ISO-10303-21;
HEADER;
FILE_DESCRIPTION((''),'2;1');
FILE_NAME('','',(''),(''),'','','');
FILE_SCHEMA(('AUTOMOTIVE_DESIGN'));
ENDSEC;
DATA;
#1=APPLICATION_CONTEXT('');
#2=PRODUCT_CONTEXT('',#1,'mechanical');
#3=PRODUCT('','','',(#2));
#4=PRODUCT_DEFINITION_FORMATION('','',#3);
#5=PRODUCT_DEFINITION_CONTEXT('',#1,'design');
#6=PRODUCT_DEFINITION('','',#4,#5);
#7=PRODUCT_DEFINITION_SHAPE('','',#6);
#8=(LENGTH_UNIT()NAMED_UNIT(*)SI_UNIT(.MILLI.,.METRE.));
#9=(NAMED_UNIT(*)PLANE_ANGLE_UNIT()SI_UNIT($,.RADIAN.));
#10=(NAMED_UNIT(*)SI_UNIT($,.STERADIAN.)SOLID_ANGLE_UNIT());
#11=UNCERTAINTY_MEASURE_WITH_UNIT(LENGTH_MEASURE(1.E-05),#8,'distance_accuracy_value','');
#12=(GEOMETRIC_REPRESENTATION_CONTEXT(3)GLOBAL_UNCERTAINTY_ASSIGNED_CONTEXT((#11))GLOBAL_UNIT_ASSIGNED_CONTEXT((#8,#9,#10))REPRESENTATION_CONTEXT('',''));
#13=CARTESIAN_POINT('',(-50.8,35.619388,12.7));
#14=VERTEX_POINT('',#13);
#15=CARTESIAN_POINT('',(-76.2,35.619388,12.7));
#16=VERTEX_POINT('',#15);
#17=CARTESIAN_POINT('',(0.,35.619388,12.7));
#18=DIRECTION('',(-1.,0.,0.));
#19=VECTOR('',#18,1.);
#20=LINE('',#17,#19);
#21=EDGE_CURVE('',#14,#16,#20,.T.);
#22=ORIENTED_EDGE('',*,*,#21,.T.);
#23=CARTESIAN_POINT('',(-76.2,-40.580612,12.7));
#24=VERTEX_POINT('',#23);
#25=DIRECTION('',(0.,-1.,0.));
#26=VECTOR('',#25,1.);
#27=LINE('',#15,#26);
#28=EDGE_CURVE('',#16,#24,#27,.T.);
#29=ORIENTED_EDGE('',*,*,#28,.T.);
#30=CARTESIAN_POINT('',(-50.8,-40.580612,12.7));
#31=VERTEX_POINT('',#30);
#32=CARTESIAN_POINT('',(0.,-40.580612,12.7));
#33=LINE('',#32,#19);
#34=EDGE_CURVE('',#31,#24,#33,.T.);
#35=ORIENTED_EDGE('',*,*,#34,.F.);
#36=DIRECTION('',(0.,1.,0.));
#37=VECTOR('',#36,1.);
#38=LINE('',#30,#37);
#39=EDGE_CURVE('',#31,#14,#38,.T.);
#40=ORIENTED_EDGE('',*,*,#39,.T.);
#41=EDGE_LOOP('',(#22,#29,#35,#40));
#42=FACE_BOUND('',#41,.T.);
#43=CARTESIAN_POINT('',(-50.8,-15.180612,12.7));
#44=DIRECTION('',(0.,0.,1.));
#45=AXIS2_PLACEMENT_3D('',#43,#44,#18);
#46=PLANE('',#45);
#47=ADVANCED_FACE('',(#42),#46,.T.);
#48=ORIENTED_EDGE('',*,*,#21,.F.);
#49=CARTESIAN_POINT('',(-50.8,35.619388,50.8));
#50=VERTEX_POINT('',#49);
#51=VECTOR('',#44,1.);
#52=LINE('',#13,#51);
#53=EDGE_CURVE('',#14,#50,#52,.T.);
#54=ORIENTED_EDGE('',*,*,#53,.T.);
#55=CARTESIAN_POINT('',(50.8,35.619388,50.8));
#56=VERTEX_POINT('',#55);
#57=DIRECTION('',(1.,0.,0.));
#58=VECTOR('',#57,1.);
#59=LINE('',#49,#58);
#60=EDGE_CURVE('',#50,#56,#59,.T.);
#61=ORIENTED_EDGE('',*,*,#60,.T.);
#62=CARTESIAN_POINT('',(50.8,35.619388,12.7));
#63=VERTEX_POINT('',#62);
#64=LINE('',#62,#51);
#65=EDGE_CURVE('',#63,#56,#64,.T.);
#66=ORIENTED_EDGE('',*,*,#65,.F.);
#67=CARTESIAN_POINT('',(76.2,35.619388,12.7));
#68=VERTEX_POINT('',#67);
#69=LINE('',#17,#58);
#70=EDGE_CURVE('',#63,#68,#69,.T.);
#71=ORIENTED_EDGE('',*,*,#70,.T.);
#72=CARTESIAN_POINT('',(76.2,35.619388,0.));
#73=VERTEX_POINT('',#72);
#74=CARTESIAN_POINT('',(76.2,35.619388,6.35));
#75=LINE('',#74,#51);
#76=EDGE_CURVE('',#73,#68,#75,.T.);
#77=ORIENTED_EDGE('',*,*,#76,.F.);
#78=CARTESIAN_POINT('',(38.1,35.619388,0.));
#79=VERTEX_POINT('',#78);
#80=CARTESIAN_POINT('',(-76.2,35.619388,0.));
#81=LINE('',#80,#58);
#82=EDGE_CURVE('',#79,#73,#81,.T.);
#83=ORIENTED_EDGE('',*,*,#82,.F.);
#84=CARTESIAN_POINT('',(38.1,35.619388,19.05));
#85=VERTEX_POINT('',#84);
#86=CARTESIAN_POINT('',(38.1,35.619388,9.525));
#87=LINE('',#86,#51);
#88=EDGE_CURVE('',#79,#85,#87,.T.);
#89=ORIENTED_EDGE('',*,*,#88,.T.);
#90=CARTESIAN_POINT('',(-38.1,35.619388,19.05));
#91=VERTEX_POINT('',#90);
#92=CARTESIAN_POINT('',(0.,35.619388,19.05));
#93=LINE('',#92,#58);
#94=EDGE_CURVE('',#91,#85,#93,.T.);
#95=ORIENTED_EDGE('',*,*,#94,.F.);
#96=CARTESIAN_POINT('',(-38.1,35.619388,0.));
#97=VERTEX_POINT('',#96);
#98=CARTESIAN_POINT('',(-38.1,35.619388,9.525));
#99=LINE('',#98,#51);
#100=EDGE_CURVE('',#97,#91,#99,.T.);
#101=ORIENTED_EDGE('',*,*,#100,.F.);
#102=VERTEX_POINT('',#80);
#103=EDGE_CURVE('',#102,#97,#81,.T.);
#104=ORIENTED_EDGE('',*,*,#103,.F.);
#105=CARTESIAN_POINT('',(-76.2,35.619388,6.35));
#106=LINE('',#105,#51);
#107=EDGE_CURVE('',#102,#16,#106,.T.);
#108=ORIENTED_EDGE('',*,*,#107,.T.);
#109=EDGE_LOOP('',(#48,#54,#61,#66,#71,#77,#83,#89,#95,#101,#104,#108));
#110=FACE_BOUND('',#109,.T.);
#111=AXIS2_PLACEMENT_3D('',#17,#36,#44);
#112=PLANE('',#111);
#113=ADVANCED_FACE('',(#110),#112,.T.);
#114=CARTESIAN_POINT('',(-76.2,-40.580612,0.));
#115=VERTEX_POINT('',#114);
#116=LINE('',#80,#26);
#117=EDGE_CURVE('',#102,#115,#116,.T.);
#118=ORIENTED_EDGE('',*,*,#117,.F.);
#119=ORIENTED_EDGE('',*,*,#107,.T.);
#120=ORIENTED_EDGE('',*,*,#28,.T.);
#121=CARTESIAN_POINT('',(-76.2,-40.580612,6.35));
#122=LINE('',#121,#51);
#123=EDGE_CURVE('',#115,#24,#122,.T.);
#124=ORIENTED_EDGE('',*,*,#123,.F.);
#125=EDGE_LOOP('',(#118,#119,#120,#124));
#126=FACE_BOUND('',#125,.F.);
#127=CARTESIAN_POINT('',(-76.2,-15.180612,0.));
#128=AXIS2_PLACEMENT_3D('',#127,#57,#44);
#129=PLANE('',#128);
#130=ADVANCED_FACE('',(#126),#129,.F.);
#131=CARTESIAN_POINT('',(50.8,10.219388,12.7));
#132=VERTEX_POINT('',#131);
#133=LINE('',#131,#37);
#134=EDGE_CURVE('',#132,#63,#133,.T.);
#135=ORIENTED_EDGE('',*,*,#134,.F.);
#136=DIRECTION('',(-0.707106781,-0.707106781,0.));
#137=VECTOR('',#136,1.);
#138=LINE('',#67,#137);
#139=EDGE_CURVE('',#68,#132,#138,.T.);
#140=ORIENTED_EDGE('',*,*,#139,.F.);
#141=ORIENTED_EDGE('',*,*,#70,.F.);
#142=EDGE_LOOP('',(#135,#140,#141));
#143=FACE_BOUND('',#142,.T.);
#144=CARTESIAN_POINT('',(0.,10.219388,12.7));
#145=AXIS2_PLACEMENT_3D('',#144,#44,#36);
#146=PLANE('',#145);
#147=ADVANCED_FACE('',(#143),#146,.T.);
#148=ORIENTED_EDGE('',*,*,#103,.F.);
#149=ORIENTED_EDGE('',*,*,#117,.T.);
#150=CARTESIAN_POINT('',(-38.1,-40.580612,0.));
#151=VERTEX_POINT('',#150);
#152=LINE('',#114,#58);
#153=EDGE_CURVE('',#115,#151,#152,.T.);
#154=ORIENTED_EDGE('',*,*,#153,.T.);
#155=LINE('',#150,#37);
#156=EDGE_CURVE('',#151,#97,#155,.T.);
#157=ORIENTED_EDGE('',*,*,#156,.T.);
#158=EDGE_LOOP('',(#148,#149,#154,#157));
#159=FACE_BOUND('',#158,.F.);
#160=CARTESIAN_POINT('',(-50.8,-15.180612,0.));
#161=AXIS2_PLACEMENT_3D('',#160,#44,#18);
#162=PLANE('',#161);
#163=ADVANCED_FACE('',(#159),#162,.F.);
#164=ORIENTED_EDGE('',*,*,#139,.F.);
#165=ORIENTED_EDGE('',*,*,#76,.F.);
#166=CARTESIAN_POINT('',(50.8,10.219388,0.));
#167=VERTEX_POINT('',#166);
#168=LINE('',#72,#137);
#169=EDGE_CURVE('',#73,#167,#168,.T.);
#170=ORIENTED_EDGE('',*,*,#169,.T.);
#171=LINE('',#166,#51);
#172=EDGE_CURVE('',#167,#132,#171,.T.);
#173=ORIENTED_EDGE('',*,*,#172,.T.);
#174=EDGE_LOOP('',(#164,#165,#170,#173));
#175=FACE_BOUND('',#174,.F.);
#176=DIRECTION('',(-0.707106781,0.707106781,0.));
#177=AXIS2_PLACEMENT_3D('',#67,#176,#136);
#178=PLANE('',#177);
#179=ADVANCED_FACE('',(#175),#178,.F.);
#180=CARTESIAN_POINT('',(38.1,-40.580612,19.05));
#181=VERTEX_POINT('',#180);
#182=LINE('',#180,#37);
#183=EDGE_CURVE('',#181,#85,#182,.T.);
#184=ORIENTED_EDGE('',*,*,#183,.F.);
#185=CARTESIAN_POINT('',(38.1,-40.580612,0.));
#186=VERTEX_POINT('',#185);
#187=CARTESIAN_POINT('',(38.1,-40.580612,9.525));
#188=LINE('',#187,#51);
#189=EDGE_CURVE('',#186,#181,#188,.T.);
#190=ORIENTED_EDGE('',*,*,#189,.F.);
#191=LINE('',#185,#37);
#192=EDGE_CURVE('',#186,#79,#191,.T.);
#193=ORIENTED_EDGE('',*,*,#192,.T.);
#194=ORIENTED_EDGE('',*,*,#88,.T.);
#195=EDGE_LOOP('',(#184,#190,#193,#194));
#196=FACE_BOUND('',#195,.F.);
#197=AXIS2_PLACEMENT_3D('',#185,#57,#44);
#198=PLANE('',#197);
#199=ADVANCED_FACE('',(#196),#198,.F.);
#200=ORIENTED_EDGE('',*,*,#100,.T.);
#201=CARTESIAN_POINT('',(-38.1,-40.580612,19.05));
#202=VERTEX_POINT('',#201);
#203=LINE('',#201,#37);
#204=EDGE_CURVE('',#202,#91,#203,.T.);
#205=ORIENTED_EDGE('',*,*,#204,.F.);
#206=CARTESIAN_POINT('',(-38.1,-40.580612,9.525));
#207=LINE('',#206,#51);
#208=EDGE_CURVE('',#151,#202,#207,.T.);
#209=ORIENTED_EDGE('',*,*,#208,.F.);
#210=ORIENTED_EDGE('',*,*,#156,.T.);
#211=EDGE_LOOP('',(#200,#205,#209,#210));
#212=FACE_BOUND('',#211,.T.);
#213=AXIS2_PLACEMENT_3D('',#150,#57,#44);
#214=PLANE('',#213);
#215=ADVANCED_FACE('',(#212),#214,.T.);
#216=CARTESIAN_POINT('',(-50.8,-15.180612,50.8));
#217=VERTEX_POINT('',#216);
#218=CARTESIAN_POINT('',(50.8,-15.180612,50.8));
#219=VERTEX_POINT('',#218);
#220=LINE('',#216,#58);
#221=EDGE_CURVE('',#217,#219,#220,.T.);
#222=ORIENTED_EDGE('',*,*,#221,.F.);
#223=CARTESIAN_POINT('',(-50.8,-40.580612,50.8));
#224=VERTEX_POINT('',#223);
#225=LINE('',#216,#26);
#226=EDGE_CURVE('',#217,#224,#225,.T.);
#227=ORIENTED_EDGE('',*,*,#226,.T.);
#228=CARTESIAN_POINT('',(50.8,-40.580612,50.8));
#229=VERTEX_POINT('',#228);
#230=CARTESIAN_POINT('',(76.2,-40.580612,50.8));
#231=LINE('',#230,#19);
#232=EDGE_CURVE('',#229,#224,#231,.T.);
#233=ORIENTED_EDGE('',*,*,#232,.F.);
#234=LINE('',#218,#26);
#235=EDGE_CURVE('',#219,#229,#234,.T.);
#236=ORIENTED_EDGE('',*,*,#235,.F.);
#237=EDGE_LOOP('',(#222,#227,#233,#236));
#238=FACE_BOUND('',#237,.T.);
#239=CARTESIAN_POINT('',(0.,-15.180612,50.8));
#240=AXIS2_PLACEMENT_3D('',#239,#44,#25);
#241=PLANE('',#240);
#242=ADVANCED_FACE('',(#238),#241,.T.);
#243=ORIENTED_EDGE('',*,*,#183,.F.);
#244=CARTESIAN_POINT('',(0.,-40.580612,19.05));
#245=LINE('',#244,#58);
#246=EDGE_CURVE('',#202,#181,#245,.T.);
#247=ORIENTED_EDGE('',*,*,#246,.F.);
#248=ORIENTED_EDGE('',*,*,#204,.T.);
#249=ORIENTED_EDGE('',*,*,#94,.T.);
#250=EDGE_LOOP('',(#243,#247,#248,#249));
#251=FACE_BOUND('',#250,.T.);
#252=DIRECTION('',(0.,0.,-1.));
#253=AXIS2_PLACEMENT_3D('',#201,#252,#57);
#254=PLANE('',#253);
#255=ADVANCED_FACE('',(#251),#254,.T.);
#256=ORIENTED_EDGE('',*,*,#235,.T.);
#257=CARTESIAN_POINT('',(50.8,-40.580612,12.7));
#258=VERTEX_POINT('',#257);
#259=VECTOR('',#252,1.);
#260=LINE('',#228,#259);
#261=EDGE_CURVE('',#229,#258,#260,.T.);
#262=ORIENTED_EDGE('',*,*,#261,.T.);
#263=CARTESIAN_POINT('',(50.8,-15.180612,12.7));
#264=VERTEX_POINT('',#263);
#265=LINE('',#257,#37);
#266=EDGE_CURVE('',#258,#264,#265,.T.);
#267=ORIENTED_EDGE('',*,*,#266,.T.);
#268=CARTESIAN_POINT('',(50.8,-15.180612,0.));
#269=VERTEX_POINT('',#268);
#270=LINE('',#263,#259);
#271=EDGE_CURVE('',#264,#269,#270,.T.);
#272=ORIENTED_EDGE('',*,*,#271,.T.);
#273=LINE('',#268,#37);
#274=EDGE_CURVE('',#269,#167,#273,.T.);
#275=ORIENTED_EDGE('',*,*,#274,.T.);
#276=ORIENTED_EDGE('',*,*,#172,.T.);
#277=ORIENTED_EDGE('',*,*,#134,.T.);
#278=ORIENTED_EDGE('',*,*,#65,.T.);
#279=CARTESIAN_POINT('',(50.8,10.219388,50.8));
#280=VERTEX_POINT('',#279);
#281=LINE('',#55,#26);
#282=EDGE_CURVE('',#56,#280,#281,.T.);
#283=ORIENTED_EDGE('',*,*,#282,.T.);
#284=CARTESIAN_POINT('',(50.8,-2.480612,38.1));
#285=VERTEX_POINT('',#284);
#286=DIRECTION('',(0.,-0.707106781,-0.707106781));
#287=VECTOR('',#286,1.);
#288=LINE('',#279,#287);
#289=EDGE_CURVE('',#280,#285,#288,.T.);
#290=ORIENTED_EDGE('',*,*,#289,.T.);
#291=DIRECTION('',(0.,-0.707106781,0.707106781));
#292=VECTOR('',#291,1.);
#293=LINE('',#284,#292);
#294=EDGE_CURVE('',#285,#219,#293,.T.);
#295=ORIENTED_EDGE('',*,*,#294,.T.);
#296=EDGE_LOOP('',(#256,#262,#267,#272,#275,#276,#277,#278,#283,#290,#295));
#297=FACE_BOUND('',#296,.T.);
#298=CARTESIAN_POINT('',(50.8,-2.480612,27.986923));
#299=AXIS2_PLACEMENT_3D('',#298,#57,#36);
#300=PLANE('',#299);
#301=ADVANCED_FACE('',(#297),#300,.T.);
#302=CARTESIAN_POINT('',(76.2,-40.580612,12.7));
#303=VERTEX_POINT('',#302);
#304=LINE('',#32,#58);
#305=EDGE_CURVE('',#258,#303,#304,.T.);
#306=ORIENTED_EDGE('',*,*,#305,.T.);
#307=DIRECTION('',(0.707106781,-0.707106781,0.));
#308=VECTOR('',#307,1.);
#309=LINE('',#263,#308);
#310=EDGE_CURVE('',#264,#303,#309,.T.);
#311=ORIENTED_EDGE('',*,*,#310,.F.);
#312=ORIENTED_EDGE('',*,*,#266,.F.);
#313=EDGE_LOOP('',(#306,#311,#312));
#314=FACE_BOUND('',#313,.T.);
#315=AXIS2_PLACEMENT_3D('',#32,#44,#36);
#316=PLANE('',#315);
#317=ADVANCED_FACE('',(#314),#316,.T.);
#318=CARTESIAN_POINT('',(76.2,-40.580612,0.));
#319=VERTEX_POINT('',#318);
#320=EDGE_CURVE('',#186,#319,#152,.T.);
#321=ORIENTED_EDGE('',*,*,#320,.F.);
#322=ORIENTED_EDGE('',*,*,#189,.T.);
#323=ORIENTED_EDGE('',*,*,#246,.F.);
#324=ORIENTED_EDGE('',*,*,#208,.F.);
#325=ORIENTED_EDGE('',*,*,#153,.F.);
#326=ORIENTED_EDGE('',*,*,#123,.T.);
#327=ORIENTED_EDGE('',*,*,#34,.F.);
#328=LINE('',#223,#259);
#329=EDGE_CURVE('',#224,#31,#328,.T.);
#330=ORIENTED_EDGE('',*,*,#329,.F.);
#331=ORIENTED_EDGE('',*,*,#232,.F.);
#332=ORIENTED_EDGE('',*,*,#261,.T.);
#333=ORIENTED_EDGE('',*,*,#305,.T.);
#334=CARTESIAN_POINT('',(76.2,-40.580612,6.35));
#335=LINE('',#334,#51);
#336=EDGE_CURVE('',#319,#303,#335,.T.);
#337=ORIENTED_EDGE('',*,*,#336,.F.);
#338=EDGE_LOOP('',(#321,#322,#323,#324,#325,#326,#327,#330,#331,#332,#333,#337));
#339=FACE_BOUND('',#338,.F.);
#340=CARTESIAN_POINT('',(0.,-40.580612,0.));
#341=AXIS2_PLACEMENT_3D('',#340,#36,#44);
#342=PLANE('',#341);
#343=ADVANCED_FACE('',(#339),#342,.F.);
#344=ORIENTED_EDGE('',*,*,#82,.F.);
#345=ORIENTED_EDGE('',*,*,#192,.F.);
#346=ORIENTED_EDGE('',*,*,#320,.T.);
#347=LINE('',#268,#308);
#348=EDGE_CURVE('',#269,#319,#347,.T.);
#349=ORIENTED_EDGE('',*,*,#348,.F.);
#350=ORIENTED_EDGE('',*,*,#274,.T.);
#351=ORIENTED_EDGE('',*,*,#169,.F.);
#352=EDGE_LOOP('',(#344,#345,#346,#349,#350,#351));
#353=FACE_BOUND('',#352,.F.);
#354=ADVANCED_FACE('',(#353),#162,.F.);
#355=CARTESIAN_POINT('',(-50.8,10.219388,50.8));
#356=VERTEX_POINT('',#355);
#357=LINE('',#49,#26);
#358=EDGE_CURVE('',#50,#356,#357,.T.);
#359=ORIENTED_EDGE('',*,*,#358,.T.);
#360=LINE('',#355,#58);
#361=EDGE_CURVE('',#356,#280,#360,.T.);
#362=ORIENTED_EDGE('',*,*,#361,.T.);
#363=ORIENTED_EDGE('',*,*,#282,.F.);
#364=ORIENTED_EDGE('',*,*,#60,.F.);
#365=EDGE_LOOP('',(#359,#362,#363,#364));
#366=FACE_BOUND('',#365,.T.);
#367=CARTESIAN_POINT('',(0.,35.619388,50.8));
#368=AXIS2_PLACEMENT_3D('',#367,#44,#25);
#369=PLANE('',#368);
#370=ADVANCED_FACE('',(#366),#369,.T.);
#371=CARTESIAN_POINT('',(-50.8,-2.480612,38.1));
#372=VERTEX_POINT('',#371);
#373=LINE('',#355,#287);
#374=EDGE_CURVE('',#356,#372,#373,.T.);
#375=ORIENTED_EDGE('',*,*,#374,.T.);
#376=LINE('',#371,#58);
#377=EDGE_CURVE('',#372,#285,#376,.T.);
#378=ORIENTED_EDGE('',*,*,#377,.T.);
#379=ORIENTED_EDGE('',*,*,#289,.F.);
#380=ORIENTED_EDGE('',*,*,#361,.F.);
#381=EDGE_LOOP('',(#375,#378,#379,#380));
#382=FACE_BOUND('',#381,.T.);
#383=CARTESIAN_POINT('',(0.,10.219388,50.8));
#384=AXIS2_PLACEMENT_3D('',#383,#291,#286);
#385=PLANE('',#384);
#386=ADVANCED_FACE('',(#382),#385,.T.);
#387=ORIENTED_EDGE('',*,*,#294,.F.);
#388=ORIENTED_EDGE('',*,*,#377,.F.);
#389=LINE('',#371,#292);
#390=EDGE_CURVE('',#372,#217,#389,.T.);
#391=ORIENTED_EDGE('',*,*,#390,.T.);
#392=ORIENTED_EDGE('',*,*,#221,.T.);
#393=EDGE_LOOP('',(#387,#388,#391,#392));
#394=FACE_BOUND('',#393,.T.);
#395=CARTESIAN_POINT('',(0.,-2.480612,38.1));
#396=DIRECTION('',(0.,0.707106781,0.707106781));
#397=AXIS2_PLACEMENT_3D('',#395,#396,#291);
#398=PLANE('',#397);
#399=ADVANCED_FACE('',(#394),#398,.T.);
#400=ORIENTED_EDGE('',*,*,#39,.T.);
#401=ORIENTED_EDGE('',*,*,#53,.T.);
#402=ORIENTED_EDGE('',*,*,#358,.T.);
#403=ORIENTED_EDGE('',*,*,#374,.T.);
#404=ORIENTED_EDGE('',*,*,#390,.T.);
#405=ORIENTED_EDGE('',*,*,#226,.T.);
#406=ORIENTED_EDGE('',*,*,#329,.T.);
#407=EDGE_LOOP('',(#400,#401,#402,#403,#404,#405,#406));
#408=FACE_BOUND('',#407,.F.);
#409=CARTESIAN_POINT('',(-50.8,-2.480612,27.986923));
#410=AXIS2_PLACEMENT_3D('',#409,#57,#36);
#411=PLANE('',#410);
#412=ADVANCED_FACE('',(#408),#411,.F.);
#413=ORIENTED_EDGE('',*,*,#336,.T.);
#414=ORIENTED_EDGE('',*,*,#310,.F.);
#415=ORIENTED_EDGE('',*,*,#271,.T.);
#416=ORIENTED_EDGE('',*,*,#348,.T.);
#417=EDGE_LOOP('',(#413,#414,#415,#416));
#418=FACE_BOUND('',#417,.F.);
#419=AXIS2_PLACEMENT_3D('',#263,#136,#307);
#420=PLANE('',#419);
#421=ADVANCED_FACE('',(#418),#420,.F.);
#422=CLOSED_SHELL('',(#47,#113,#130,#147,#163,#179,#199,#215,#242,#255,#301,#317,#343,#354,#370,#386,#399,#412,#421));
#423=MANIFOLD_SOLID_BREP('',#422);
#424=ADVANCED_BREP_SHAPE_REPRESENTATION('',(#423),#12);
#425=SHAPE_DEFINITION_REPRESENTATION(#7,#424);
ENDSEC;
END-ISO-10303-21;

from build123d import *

# Parameters (mm, degrees)
F1_DEPTH  = 76.2
F2_DEPTH  = 50.8
F3_DEPTH  = 25.4
F0_W      = 25.4
F0_H      = 12.7
F4_DEPTH  = 76.2
F5_DEPTH  = 76.2
F6_DEPTH  = 76.2
F7_DEPTH  = 76.2
F8_DEPTH  = 25.4
F9_W      = 76.2
F9_H      = 19.05
F10_DEPTH = 76.2
F12_DEPTH = 12.7
F13_DEPTH = 12.7


with BuildPart() as f1:
    # F0 (on Right) → F1 (new body)
    with BuildSketch(Plane.YZ):
        Polygon((-15.180611676, 12.7), (-15.180611676, 0), (10.219388324, 0), (10.219388324, 12.7), (35.619388324, 12.7), (35.619388324, 50.8), (10.219388324, 50.8), (-2.480611676, 38.1), (-15.180611676, 50.8), (-40.580611676, 50.8), (-40.580611676, 12.7), align=None)
    extrude(amount=F1_DEPTH)

    # F2 (add): faces of the model
    f2_faces = [f1.faces().sort_by_distance(p)[0] for p in [
        (0, -2.480611676, 28.2964912281),
        (76.2, -2.480611676, 28.2964912281),
    ]]
    extrude(f2_faces, amount=F2_DEPTH, dir=(-1, 0, 0))

    # F3 (cut): a face of the model
    f3_faces = [f1.faces().sort_by_distance(p)[0] for p in [
        (76.2, -2.480611676, 28.2964912281),
    ]]
    extrude(f3_faces, amount=-F3_DEPTH, mode=Mode.SUBTRACT)

    # F0 (on Right) → F4 (join)
    with BuildSketch(Plane.YZ):
        with Locations((-27.880611676, 6.35)):
            Rectangle(F0_W, F0_H)
    extrude(amount=F4_DEPTH)

    # F0 (on Right) → F5 (join)
    with BuildSketch(Plane.YZ):
        with Locations((22.919388324, 6.35)):
            Rectangle(F0_W, F0_H)
    extrude(amount=F5_DEPTH)

    # F0 (on Right) → F6 (join)
    with BuildSketch(Plane.YZ):
        with Locations((22.919388324, 6.35)):
            Rectangle(F0_W, F0_H)
    extrude(amount=-F6_DEPTH)

    # F0 (on Right) → F7 (join)
    with BuildSketch(Plane.YZ):
        with Locations((-27.880611676, 6.35)):
            Rectangle(F0_W, F0_H)
    extrude(amount=-F7_DEPTH)

    # F8 (add): a face of the model
    f8_faces = [f1.faces().sort_by_distance(p)[0] for p in [
        (-63.5, -15.180611676, 6.35),
    ]]
    extrude(f8_faces, amount=F8_DEPTH)

    # F9 (on face) → F10 (cut)
    with BuildSketch(Plane.XZ.offset(40.580611676)):
        with Locations((0, 9.525)):
            Rectangle(F9_W, F9_H)
    extrude(amount=-F10_DEPTH, mode=Mode.SUBTRACT)

    # F11 (on face) → F12 (cut)
    with BuildSketch(Plane.XY.offset(12.7)):
        Polygon((50.8, -15.180611676), (76.2, -40.580611676), (76.2, -15.180611676), align=None)
    extrude(amount=-F12_DEPTH, mode=Mode.SUBTRACT)

    # F11 (on face) → F13 (cut)
    with BuildSketch(Plane.XY.offset(12.7)):
        Polygon((50.8, 10.219388324), (50.8, -15.180611676), (76.2, -15.180611676), (76.2, 35.619388324), align=None)
    extrude(amount=-F13_DEPTH, mode=Mode.SUBTRACT)


solid = f1.part
